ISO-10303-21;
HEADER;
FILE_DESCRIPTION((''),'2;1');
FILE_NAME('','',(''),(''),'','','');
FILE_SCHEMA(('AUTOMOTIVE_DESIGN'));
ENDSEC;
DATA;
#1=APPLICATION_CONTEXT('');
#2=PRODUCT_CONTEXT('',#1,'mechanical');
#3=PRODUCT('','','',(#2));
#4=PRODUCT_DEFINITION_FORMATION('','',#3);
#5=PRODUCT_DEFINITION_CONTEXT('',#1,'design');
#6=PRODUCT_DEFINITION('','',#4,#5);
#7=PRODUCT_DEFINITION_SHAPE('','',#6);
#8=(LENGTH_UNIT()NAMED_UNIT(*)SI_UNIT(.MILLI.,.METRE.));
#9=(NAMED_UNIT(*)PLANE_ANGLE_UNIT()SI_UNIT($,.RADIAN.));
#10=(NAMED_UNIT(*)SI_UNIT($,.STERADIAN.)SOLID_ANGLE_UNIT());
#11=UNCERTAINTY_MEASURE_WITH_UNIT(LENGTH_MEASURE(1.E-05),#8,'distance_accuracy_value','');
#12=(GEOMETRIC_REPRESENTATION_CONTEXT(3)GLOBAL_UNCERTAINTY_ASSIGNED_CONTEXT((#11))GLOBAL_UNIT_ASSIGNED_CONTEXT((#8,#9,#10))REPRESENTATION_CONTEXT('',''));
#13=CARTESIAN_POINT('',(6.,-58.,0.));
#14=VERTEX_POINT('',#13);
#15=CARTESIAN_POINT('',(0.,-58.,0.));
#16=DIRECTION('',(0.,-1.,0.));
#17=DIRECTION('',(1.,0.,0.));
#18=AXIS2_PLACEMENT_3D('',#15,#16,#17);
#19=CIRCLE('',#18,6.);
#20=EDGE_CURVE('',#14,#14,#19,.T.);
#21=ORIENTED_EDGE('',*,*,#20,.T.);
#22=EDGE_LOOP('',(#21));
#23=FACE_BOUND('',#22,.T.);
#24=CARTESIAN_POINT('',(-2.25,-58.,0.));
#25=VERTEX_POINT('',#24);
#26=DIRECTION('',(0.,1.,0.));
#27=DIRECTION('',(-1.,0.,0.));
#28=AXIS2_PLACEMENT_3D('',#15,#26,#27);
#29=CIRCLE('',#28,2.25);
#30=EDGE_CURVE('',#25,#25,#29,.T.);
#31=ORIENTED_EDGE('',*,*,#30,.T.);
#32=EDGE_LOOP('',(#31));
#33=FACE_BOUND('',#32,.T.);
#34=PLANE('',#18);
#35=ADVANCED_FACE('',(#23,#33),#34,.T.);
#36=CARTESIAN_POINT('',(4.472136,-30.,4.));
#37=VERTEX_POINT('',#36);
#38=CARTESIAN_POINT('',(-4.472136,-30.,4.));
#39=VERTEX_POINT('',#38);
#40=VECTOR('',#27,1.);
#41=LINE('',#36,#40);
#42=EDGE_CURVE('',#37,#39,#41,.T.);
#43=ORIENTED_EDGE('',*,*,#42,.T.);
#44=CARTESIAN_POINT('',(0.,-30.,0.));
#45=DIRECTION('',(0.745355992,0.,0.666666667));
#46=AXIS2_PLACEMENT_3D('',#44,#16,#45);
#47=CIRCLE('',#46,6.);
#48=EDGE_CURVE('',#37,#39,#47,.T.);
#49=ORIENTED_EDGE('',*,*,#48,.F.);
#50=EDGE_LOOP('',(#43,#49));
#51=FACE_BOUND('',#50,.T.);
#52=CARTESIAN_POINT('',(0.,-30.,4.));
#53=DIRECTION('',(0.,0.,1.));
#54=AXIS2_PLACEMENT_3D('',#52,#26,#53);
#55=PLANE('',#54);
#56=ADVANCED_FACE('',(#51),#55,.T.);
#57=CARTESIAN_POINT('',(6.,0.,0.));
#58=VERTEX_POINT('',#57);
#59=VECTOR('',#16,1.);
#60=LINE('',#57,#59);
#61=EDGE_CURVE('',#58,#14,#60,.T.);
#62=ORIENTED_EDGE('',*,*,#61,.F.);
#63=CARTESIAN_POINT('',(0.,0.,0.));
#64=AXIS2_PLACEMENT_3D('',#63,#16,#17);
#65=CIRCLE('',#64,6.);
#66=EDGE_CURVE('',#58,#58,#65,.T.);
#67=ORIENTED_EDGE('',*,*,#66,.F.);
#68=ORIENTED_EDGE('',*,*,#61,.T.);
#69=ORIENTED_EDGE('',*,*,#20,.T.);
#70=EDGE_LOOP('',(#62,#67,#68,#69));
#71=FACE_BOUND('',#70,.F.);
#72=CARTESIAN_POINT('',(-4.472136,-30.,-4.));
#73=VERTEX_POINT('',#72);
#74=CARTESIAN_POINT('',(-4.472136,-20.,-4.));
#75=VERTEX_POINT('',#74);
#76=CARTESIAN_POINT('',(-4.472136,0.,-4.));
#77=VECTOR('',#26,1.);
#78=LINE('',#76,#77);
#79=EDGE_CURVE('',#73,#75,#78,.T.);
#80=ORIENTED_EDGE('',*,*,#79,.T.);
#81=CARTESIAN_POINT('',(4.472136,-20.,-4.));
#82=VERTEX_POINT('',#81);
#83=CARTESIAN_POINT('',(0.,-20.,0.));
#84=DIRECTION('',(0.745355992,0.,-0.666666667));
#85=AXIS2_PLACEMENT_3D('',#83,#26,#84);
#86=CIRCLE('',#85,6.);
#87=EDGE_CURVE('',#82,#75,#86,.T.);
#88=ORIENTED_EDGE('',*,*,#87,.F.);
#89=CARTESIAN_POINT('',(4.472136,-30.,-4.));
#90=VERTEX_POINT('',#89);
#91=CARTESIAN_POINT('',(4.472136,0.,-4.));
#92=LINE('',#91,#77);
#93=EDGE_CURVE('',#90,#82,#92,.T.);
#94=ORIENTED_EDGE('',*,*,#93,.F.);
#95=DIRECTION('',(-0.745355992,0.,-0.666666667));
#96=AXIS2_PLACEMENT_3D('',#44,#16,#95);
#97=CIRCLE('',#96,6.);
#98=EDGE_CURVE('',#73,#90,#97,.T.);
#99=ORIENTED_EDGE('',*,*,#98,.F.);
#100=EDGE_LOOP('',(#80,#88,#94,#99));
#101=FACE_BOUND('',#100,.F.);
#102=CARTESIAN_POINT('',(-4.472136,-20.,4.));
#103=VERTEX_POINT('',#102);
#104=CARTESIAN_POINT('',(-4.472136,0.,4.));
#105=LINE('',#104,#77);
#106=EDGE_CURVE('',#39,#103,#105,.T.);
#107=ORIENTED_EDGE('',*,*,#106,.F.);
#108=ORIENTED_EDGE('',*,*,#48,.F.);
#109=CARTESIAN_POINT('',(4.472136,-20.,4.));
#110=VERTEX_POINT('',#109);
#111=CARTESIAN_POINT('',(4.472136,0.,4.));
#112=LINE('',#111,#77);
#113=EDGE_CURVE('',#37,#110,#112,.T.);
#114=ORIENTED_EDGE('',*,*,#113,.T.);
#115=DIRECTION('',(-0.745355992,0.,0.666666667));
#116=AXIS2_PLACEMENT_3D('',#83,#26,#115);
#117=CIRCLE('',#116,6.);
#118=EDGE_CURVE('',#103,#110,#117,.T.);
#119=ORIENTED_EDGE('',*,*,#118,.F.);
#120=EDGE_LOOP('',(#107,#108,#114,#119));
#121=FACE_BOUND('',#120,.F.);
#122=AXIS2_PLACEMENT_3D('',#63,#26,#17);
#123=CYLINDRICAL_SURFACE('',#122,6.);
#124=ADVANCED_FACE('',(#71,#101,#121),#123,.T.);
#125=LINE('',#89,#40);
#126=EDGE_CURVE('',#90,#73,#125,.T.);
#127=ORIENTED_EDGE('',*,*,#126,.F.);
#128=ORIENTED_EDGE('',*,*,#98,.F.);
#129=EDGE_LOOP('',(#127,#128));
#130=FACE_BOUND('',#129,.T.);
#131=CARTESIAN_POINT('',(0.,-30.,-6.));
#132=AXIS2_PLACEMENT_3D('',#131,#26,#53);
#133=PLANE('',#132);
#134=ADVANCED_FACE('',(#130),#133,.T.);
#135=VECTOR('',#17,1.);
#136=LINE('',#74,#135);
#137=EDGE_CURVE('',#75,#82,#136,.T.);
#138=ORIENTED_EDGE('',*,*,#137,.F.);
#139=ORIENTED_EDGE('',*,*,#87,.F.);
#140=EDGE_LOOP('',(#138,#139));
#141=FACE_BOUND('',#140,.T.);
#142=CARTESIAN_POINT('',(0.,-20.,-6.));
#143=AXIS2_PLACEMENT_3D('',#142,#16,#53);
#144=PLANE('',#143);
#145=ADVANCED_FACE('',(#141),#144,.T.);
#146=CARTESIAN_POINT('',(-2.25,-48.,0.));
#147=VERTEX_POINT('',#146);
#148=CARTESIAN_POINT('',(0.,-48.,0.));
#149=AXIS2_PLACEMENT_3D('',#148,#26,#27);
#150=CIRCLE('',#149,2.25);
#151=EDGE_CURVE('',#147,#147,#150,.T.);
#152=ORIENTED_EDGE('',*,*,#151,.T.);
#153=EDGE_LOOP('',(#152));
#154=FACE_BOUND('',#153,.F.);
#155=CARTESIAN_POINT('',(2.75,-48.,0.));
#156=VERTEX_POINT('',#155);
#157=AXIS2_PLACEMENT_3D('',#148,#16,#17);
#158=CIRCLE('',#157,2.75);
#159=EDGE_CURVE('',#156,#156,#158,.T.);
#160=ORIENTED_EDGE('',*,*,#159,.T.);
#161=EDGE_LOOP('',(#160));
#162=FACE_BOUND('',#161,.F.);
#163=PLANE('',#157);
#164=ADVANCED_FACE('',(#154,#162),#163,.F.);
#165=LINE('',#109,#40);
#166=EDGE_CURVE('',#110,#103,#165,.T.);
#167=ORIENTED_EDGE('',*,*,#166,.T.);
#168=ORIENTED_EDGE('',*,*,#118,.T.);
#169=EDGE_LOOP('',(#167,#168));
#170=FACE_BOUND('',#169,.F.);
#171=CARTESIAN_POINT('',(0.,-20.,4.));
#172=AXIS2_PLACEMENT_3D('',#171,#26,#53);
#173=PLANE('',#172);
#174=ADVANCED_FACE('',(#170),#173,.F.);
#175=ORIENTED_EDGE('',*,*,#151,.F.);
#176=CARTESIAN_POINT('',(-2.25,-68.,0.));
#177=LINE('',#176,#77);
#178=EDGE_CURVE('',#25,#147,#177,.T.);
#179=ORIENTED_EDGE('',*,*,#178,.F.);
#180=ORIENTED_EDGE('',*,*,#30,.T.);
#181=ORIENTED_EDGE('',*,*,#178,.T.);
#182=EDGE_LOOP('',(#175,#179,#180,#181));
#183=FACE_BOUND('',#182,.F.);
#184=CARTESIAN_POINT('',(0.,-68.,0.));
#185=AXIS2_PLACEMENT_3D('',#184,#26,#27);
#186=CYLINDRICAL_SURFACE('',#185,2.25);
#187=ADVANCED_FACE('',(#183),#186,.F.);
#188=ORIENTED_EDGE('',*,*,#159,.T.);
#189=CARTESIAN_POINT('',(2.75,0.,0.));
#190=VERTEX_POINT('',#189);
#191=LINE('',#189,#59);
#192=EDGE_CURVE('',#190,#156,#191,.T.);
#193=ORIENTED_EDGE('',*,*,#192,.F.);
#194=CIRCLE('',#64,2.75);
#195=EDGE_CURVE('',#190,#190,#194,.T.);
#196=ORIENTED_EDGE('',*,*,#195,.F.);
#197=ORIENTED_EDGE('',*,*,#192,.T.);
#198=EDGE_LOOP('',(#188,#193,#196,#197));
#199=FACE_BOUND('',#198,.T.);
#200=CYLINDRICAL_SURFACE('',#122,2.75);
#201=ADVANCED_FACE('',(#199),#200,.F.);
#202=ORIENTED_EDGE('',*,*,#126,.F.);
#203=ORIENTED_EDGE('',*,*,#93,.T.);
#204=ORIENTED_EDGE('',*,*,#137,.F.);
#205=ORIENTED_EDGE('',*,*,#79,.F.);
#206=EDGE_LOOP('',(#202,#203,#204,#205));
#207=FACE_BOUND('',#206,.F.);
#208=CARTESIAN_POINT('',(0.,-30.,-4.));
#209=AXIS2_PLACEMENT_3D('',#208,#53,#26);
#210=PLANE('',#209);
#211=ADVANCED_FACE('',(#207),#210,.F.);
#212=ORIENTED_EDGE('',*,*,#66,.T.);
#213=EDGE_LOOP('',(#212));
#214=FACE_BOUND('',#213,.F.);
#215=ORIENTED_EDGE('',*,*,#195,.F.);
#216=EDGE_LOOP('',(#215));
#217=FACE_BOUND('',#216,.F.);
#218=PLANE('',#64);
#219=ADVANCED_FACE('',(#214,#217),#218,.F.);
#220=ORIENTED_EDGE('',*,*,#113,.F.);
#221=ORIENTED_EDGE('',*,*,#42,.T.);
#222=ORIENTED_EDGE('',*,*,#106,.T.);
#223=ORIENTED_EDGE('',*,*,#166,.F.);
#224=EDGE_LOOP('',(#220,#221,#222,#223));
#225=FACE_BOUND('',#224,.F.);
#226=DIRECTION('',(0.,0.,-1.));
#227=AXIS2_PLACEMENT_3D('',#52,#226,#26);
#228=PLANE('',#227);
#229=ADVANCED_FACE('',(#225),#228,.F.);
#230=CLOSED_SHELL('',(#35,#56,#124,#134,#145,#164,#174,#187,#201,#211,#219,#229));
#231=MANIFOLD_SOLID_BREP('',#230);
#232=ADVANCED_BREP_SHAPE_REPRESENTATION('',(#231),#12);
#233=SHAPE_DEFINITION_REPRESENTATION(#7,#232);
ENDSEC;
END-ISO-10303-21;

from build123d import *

# Parameters (mm, degrees)
F0_R          = 6
F1_DEPTH      = 58
F2_R          = 2.75
F3_DEPTH      = 48
F4_W          = 10
F4_H          = 2
F5_DEPTH      = 6.001
F5_DEPTH_BACK = 6.001
F7_D          = 4.5
F7_DEPTH      = 10
F7_TIP        = 1.3519363928


with BuildPart() as f1:
    # F0 (on Front) → F1 (new body)
    with BuildSketch(Plane.XZ):
        Circle(F0_R)
    extrude(amount=F1_DEPTH)

    # F2 (on Front) → F3 (cut)
    with BuildSketch(Plane.XZ):
        Circle(F2_R)
    extrude(amount=F3_DEPTH, mode=Mode.SUBTRACT)

    # F4 (on Right) → F5 (cut, two sides)
    with BuildSketch(Plane.YZ) as f5_sk:
        with Locations((-25, -5)):
            Rectangle(F4_W, F4_H)
        with Locations((-25, 5)):
            Rectangle(F4_W, F4_H)
    extrude(amount=F5_DEPTH, mode=Mode.SUBTRACT)
    extrude(f5_sk.sketch, amount=-F5_DEPTH_BACK, mode=Mode.SUBTRACT)

    # F7
    with Locations(Plane.XZ.offset(58)):
        with Locations((0, 0)):
            Hole(F7_D / 2, depth=F7_DEPTH)
            with Locations((0, 0, -(F7_DEPTH + F7_TIP / 2))):  # 118° drill point
                Cone(0, F7_D / 2, F7_TIP, mode=Mode.SUBTRACT)


solid = f1.part
